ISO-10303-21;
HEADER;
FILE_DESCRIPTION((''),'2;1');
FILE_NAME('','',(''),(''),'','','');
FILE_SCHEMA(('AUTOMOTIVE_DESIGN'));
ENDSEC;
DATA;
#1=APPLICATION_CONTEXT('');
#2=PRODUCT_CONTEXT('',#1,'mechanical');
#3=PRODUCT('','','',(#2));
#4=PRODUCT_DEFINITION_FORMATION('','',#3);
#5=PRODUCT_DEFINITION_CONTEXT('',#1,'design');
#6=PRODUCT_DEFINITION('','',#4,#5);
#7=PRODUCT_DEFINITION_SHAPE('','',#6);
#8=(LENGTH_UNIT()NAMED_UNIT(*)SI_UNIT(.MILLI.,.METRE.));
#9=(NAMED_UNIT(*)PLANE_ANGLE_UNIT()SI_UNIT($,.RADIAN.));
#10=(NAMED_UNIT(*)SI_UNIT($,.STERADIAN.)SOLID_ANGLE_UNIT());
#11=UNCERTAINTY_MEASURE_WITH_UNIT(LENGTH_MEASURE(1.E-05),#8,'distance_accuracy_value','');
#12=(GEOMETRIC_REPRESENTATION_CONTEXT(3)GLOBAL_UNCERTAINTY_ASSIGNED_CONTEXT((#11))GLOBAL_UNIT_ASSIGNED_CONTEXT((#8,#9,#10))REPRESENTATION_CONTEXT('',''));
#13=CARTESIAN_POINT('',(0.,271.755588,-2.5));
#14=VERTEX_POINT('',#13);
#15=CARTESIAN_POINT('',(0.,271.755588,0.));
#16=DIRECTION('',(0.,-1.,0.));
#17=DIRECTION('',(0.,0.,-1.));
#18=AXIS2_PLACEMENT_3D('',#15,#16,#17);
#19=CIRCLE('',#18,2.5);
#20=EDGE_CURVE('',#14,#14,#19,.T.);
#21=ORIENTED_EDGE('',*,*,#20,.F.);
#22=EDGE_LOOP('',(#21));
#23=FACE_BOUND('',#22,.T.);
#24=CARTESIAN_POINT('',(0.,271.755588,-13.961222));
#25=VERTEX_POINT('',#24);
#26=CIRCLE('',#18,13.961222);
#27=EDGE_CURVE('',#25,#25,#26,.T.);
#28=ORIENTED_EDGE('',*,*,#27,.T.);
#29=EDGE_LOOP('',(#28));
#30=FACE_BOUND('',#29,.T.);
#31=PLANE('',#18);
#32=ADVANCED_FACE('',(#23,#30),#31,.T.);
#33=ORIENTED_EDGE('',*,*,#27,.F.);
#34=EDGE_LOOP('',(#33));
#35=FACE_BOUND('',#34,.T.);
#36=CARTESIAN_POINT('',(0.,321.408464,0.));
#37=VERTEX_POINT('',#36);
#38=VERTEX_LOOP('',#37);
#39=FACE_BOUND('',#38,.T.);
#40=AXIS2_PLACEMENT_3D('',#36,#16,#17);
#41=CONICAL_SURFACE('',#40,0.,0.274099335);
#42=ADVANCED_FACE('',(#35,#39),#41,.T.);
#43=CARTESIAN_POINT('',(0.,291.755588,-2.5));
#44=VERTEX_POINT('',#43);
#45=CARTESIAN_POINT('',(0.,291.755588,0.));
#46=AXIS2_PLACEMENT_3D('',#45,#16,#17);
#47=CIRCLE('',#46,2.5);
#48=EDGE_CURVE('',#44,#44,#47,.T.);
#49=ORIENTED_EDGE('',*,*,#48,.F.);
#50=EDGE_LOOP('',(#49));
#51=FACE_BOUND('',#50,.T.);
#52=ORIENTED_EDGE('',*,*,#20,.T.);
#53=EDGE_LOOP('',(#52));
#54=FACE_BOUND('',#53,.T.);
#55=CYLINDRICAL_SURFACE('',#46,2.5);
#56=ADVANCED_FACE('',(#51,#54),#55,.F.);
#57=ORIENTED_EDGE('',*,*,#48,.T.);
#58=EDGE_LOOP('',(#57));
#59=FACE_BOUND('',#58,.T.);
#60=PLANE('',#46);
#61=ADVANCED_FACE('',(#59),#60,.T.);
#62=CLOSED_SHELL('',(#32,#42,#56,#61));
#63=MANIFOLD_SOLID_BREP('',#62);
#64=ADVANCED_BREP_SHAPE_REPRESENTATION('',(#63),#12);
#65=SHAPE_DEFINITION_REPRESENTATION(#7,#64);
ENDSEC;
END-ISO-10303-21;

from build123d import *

# Parameters (mm, degrees)
SKETCH2_R          = 2.5
CUT_EXTRUDE1_DEPTH = 20


with BuildPart() as part:
    # Sketch1 → Revolve1 (revolve)
    with BuildSketch(Plane.XY, mode=Mode.PRIVATE) as revolve1_sk:
        Polygon((0, 325.102863253), (0, 271.755588021), (15, 271.755588021), align=None)
    revolve(revolve1_sk.sketch.rotate(Axis((0, 0, 0), (0, 1, 0)), 90), axis=Axis((0, 0, 0), (0, 1, 0)))

    # Sketch2 → Cut-Extrude1 (cut)
    with BuildSketch(Plane.XZ.offset(-271.755588021)):
        with Locations(Location((0, 0, 0), (0, 0, 270))):
            Circle(SKETCH2_R)
    extrude(amount=-CUT_EXTRUDE1_DEPTH, mode=Mode.SUBTRACT)

    # Sketch4 → Cut-Revolve1 (revolve, cut)
    with BuildSketch(Plane.XY, mode=Mode.PRIVATE) as cut_revolve1_sk:
        Polygon((15, 271.755588021), (0, 325.102863253), (0, 321.408464024), (13.961221764, 271.755588021), align=None)
    revolve(cut_revolve1_sk.sketch.rotate(Axis((0, 271.755588021, 0), (0, 1, 0)), 90), axis=Axis((0, 271.755588021, 0), (0, 1, 0)), mode=Mode.SUBTRACT)


solid = part.part
